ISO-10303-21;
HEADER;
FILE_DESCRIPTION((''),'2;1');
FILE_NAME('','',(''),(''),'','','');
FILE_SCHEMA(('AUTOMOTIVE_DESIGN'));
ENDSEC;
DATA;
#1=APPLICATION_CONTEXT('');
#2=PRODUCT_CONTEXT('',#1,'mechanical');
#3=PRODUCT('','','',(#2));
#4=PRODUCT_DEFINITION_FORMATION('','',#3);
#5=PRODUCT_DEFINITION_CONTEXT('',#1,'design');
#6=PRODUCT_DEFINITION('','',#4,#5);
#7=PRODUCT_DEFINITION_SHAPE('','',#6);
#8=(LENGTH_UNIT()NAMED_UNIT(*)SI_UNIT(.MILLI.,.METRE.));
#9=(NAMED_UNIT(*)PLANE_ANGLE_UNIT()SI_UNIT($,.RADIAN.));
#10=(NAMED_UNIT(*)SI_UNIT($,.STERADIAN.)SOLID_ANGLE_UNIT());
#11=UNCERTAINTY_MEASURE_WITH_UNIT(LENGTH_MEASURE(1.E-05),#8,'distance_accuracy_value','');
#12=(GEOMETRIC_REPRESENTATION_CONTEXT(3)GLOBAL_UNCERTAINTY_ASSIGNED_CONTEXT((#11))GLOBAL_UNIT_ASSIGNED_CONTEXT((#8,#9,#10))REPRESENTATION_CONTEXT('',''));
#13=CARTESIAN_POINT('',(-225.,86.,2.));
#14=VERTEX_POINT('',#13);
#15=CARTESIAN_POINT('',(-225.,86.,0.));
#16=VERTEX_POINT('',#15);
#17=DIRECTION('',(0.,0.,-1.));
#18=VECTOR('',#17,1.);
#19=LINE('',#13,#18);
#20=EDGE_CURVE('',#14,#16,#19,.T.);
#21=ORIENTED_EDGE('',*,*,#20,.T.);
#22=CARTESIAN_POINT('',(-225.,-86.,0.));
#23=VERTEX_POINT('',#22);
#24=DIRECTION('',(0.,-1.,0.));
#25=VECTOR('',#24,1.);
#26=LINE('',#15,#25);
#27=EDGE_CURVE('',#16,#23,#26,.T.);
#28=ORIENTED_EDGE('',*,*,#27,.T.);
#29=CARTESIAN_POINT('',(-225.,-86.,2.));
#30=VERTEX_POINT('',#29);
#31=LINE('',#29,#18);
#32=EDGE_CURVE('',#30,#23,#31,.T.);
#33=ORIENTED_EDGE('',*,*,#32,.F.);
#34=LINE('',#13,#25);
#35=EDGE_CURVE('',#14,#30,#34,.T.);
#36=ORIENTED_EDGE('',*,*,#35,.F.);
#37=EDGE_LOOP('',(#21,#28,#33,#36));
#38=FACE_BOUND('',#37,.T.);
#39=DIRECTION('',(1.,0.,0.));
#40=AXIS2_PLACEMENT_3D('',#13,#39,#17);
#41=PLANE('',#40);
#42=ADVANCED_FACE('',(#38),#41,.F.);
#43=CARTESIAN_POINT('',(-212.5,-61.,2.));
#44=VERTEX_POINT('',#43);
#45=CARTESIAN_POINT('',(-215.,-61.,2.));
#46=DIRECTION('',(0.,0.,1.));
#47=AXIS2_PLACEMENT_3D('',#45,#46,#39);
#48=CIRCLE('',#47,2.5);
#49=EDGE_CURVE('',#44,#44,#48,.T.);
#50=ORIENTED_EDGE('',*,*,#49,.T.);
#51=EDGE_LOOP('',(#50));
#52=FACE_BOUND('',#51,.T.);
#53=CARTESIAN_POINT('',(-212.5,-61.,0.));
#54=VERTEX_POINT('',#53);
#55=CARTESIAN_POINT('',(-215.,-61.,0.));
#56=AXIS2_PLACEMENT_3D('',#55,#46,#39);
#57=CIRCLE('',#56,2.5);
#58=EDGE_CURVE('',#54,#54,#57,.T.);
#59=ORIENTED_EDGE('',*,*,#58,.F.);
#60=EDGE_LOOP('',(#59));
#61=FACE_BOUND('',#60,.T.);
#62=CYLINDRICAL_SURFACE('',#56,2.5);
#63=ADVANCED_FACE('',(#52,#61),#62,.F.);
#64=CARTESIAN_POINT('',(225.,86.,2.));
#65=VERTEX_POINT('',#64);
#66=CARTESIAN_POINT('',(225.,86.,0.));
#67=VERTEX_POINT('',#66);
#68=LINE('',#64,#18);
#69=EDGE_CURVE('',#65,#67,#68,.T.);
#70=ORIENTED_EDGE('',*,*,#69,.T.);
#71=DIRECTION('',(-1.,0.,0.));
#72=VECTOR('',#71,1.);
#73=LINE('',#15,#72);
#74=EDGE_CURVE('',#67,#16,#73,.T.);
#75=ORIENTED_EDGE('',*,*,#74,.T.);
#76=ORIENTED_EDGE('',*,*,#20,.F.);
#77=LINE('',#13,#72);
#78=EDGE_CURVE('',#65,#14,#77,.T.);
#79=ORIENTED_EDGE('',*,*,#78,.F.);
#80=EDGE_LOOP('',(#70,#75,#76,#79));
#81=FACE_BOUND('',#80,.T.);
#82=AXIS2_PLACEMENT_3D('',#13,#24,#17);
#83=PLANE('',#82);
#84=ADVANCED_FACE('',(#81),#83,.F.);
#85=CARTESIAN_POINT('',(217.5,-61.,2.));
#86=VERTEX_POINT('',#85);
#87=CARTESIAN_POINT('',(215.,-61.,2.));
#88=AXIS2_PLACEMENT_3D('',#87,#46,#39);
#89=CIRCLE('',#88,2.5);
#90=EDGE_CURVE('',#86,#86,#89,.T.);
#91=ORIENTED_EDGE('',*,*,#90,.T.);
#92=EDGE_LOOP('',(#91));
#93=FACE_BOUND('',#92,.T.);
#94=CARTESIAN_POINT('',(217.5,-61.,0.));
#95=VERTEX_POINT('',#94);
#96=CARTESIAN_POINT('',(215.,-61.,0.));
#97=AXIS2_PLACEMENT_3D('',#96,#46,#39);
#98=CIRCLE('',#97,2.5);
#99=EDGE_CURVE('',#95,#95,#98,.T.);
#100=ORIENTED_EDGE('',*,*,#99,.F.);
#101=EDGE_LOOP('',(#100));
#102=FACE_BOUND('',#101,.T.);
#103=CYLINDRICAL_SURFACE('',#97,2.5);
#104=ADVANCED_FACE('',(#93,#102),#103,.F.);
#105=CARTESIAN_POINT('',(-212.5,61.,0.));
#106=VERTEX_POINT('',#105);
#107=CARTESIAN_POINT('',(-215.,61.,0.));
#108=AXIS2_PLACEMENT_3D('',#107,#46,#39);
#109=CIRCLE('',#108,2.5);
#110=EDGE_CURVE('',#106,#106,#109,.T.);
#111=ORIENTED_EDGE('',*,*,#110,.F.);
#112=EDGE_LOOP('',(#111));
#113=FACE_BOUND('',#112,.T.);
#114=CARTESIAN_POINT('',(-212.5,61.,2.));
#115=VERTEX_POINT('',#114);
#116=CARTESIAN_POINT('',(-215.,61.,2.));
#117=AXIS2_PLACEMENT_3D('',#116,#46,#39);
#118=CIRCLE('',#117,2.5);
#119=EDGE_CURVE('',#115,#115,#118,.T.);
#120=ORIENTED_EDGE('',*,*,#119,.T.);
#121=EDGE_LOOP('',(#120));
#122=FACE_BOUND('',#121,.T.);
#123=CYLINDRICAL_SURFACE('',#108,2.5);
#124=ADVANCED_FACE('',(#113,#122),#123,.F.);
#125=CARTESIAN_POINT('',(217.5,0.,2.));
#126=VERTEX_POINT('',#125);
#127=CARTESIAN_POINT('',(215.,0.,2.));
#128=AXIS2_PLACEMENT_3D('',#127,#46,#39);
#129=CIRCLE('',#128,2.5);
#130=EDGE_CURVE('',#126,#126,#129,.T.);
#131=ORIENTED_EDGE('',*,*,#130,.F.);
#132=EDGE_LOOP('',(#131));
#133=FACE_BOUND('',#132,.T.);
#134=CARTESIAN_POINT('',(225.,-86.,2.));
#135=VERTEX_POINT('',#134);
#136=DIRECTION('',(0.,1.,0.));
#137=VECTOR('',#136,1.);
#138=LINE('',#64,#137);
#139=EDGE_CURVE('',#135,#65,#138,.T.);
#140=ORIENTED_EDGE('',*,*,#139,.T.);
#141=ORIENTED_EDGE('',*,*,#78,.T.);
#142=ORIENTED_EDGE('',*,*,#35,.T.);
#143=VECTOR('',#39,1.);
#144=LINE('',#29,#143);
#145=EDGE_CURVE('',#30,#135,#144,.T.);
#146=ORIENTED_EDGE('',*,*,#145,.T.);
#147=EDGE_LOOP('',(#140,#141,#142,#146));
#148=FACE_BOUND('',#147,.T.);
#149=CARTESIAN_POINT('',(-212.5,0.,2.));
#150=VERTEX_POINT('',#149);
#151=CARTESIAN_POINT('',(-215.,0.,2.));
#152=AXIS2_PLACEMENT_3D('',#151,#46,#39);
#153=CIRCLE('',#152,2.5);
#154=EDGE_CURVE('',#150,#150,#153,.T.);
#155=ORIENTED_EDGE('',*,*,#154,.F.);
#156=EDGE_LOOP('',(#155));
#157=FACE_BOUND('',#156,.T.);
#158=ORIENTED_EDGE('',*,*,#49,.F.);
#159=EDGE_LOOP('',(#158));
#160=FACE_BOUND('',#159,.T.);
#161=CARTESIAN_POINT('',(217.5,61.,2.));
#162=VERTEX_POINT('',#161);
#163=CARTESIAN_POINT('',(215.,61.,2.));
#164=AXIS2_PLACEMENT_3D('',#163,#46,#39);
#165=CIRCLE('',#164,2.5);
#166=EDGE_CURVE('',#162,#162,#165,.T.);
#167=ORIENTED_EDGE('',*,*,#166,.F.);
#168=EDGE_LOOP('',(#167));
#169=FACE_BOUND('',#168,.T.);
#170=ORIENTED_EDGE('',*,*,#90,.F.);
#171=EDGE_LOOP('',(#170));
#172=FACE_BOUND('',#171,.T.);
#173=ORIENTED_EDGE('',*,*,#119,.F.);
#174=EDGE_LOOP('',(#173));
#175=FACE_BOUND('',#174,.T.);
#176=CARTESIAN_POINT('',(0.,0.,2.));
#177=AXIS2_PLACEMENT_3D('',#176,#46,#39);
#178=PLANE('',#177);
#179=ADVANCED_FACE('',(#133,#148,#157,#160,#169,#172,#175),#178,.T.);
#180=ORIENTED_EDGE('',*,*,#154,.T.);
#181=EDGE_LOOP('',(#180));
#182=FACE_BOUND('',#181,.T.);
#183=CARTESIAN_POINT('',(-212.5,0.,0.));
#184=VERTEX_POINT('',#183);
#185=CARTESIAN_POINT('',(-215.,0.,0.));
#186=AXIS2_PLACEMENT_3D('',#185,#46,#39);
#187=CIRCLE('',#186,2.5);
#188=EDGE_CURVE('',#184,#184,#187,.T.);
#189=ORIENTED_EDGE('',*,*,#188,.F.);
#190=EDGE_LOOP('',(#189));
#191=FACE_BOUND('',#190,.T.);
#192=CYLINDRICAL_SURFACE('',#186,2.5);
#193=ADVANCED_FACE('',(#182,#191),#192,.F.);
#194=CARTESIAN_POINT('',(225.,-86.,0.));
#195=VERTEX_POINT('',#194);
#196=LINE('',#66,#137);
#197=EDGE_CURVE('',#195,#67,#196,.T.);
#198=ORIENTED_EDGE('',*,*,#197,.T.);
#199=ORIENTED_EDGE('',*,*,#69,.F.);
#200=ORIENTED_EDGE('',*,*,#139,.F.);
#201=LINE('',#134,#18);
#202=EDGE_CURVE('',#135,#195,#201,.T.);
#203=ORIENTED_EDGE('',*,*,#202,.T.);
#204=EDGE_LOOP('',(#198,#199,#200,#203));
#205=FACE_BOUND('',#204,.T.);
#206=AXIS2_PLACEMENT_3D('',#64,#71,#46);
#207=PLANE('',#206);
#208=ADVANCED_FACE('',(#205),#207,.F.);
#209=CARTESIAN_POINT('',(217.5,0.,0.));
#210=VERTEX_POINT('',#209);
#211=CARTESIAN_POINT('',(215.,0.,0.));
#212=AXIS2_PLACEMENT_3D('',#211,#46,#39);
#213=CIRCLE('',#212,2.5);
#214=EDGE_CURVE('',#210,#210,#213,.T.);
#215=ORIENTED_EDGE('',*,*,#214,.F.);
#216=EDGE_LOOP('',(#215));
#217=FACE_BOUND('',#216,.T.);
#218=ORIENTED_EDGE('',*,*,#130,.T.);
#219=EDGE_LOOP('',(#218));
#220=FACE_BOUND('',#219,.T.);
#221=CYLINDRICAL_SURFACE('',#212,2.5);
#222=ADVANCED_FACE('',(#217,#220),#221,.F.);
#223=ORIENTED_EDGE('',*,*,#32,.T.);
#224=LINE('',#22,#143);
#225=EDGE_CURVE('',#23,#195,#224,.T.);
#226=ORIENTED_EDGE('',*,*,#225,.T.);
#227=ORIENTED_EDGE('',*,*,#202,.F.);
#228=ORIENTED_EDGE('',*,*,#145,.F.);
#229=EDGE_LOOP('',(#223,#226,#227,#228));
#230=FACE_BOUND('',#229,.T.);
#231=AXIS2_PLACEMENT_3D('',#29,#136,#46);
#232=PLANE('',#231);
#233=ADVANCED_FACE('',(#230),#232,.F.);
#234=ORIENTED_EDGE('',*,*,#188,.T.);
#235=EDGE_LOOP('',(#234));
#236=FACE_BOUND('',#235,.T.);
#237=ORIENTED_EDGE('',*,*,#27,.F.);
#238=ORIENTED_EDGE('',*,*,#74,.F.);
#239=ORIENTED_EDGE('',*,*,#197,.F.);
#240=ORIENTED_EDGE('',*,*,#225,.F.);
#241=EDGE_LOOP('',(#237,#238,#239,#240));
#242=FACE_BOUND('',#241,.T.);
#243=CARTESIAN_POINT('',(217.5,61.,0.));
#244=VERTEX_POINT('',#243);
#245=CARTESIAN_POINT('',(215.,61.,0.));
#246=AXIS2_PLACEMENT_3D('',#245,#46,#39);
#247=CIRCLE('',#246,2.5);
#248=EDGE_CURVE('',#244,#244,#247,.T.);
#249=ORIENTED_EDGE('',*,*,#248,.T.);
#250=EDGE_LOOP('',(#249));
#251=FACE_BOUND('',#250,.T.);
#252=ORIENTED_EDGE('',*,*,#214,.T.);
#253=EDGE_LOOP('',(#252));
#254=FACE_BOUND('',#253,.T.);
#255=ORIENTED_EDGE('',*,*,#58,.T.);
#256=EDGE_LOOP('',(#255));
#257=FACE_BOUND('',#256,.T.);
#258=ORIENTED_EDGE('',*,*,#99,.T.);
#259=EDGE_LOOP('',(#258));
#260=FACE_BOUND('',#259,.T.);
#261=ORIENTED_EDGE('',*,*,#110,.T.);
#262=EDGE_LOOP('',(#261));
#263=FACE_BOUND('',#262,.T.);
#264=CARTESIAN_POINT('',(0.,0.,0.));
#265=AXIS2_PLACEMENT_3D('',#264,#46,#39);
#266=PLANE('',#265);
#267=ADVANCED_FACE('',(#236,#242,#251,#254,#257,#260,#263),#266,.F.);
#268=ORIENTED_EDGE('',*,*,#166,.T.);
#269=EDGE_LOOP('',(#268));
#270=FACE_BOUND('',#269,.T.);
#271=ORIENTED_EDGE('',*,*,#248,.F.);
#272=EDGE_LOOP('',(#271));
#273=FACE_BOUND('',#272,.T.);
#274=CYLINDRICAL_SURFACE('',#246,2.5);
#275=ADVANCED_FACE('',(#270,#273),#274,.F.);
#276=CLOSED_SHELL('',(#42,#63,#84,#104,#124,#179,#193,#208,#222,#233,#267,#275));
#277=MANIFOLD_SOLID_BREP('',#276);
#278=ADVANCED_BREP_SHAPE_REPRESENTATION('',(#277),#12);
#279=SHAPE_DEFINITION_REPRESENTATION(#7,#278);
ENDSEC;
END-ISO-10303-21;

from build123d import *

# Parameters (mm, degrees)
SKETCH1_W           = 450
SKETCH1_H           = 172
BOSS_EXTRUDE1_DEPTH = 2
SKETCH2_R           = 2.5
CUT_EXTRUDE1_DEPTH  = 241.883789409


with BuildPart() as part:
    # Sketch1 → Boss-Extrude1 (new body)
    with BuildSketch(Plane.XY):
        Rectangle(SKETCH1_W, SKETCH1_H)
    extrude(amount=BOSS_EXTRUDE1_DEPTH)

    # Sketch2 → Cut-Extrude1 (cut, through all)
    with BuildSketch(Plane.XY.offset(2)):
        with Locations((-215, 61)):
            Circle(SKETCH2_R)
        with Locations((215, 61)):
            Circle(SKETCH2_R)
        with Locations((215, -61)):
            Circle(SKETCH2_R)
        with Locations((-215, -61)):
            Circle(SKETCH2_R)
        with Locations((-215, 0)):
            Circle(SKETCH2_R)
        with Locations((215, 0)):
            Circle(SKETCH2_R)
    extrude(amount=-CUT_EXTRUDE1_DEPTH, mode=Mode.SUBTRACT)


solid = part.part
